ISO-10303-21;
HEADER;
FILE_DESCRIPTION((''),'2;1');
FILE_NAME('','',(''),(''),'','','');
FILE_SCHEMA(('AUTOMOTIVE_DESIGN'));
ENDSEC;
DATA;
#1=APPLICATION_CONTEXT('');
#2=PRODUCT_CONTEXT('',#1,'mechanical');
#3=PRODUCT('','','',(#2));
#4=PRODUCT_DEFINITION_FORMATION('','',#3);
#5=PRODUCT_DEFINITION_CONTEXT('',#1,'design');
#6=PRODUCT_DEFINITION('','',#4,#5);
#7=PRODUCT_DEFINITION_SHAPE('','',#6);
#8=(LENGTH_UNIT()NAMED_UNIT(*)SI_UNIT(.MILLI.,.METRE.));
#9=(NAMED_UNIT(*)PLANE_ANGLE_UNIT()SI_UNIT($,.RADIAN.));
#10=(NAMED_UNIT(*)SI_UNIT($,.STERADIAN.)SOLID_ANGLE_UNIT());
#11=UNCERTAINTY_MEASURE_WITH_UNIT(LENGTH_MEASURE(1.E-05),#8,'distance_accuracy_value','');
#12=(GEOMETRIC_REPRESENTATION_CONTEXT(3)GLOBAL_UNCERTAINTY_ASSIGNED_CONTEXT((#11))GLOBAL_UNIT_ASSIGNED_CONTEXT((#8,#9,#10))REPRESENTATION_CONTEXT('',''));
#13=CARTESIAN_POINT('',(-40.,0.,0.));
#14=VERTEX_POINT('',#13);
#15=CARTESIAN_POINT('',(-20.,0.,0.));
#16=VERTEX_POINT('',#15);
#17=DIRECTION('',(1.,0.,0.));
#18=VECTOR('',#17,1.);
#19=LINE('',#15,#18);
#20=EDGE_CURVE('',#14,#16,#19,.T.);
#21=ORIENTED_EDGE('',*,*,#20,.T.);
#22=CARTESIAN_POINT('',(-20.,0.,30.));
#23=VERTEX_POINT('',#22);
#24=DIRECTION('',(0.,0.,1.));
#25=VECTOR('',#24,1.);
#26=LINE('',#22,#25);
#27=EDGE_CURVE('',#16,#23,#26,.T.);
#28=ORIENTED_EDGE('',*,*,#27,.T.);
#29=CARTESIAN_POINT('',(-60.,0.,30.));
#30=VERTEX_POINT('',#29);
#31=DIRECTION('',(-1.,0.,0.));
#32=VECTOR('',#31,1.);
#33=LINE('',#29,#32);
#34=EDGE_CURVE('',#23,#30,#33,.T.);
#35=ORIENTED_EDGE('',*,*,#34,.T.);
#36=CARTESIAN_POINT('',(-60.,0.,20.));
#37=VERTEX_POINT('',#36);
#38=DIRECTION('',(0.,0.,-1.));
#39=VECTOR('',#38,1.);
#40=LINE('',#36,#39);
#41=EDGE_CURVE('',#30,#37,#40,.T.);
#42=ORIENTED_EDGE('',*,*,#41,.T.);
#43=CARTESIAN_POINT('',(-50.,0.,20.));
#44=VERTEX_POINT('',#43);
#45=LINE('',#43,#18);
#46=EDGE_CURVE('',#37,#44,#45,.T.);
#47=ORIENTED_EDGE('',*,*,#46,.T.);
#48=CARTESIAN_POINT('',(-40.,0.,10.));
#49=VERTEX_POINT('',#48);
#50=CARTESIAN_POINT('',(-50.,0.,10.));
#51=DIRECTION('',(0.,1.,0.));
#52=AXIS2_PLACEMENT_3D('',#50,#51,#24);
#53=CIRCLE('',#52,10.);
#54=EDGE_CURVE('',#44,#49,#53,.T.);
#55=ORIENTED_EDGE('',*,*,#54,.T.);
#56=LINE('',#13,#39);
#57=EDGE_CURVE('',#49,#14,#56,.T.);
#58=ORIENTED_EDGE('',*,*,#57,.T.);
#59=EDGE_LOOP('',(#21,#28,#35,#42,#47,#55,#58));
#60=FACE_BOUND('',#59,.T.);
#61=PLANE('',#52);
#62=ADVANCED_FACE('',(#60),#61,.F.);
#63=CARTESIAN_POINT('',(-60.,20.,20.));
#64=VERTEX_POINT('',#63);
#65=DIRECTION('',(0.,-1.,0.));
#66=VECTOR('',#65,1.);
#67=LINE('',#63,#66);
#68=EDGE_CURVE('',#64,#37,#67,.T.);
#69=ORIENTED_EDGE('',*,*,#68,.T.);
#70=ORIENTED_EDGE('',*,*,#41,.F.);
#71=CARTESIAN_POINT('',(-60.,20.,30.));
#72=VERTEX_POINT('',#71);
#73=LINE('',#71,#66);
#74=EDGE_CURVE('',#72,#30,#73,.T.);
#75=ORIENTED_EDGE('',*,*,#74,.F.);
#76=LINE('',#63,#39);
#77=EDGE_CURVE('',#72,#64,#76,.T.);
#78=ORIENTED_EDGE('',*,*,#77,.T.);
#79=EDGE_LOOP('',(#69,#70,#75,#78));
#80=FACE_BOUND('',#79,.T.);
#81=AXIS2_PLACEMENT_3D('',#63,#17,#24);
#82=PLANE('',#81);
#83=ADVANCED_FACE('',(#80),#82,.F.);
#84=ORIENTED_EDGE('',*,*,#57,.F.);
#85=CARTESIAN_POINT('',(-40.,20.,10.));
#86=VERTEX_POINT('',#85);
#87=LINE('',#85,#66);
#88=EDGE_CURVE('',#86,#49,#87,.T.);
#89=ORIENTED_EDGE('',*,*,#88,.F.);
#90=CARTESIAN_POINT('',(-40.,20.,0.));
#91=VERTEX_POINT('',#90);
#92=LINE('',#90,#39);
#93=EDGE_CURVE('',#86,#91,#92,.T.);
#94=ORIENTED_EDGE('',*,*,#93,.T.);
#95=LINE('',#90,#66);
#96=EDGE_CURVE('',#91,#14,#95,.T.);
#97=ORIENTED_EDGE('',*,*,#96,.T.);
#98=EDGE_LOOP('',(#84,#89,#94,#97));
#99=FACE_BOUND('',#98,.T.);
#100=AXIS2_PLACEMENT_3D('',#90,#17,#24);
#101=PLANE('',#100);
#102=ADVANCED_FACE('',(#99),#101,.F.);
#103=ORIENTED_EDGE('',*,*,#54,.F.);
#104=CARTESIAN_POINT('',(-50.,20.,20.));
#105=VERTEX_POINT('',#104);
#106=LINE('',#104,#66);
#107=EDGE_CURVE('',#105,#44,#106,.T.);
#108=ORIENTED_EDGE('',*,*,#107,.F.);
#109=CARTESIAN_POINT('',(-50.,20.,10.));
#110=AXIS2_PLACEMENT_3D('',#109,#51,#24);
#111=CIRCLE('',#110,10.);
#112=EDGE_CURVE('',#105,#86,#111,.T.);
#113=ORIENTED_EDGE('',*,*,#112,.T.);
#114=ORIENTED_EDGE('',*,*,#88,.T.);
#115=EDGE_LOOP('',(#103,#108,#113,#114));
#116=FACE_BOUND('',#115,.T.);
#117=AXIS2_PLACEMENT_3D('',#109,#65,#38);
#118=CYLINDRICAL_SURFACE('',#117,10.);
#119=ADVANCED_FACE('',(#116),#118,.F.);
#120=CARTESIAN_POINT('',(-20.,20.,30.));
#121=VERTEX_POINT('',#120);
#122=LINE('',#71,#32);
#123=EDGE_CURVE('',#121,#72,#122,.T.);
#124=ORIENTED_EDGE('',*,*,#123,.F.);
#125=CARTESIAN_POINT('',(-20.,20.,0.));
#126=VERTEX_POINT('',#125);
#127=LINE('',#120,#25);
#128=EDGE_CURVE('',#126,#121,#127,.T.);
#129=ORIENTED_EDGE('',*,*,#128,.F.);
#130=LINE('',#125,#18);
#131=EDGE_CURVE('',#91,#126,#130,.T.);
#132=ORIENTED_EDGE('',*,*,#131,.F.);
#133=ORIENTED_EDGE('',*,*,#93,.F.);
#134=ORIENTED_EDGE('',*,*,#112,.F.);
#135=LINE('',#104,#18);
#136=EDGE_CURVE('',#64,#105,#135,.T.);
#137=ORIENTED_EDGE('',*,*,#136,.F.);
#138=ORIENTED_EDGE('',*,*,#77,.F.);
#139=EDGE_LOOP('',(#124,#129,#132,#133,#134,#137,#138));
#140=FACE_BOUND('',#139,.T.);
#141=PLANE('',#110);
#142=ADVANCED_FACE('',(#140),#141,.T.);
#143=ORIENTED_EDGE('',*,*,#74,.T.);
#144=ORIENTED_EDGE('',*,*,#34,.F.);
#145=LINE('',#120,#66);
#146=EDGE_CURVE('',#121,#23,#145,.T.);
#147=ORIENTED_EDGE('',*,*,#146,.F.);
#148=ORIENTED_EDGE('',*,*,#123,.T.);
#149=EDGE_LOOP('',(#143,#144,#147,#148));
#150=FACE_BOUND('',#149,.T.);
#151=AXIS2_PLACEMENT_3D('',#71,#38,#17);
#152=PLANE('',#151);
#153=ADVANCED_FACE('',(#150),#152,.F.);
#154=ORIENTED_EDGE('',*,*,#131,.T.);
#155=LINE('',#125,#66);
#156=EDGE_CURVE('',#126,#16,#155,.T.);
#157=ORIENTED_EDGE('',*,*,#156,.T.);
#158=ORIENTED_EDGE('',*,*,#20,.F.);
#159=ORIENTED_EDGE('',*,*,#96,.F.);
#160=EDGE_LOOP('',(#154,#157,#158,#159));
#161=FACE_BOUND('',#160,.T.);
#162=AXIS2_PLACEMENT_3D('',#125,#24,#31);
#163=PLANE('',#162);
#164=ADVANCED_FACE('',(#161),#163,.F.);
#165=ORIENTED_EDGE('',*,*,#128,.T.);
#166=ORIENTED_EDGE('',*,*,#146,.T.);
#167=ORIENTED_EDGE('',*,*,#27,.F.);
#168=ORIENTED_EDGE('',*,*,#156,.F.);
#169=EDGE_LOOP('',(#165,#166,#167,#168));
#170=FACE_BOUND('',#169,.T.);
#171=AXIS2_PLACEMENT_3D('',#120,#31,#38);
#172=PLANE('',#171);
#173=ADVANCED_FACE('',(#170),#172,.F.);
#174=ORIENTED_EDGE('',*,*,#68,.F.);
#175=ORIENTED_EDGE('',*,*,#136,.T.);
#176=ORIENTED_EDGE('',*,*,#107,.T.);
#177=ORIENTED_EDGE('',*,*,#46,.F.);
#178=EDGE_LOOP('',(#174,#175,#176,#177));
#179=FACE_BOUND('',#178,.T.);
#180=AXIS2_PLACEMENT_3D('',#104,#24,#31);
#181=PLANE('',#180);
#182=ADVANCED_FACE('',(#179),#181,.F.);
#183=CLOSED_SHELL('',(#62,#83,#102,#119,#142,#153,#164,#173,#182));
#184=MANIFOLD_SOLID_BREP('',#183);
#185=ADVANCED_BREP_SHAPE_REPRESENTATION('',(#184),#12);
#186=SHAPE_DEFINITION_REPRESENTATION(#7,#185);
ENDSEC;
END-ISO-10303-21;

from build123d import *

# Parameters (mm, degrees)
BOSS_EXTRUDE1_DEPTH = 20


with BuildPart() as part:
    # Sketch2 → Boss-Extrude1 (new body)
    with BuildSketch(Plane(origin=(0, 0, 0), x_dir=(1, 0, 0), z_dir=(0, 1, 0))):
        with BuildLine():
            Line((0, 0), (0, -10))
            ThreePointArc((0, -10), (2.928932188, -17.071067812), (10, -20))
            Line((10, -20), (20, -20))
            Line((20, -20), (20, -30))
            Line((20, -30), (-20, -30))
            Line((-20, -30), (-20, 0))
            Line((-20, 0), (0, 0))
        make_face()
    extrude(amount=BOSS_EXTRUDE1_DEPTH)


with BuildPart() as body_2:
    # Mirror1: mirrored copy
    add(part.part.mirror(Plane(origin=(-20, 20, 30), x_dir=(0, 0, 1), z_dir=(1, 0, 0))))


solid = body_2.part
